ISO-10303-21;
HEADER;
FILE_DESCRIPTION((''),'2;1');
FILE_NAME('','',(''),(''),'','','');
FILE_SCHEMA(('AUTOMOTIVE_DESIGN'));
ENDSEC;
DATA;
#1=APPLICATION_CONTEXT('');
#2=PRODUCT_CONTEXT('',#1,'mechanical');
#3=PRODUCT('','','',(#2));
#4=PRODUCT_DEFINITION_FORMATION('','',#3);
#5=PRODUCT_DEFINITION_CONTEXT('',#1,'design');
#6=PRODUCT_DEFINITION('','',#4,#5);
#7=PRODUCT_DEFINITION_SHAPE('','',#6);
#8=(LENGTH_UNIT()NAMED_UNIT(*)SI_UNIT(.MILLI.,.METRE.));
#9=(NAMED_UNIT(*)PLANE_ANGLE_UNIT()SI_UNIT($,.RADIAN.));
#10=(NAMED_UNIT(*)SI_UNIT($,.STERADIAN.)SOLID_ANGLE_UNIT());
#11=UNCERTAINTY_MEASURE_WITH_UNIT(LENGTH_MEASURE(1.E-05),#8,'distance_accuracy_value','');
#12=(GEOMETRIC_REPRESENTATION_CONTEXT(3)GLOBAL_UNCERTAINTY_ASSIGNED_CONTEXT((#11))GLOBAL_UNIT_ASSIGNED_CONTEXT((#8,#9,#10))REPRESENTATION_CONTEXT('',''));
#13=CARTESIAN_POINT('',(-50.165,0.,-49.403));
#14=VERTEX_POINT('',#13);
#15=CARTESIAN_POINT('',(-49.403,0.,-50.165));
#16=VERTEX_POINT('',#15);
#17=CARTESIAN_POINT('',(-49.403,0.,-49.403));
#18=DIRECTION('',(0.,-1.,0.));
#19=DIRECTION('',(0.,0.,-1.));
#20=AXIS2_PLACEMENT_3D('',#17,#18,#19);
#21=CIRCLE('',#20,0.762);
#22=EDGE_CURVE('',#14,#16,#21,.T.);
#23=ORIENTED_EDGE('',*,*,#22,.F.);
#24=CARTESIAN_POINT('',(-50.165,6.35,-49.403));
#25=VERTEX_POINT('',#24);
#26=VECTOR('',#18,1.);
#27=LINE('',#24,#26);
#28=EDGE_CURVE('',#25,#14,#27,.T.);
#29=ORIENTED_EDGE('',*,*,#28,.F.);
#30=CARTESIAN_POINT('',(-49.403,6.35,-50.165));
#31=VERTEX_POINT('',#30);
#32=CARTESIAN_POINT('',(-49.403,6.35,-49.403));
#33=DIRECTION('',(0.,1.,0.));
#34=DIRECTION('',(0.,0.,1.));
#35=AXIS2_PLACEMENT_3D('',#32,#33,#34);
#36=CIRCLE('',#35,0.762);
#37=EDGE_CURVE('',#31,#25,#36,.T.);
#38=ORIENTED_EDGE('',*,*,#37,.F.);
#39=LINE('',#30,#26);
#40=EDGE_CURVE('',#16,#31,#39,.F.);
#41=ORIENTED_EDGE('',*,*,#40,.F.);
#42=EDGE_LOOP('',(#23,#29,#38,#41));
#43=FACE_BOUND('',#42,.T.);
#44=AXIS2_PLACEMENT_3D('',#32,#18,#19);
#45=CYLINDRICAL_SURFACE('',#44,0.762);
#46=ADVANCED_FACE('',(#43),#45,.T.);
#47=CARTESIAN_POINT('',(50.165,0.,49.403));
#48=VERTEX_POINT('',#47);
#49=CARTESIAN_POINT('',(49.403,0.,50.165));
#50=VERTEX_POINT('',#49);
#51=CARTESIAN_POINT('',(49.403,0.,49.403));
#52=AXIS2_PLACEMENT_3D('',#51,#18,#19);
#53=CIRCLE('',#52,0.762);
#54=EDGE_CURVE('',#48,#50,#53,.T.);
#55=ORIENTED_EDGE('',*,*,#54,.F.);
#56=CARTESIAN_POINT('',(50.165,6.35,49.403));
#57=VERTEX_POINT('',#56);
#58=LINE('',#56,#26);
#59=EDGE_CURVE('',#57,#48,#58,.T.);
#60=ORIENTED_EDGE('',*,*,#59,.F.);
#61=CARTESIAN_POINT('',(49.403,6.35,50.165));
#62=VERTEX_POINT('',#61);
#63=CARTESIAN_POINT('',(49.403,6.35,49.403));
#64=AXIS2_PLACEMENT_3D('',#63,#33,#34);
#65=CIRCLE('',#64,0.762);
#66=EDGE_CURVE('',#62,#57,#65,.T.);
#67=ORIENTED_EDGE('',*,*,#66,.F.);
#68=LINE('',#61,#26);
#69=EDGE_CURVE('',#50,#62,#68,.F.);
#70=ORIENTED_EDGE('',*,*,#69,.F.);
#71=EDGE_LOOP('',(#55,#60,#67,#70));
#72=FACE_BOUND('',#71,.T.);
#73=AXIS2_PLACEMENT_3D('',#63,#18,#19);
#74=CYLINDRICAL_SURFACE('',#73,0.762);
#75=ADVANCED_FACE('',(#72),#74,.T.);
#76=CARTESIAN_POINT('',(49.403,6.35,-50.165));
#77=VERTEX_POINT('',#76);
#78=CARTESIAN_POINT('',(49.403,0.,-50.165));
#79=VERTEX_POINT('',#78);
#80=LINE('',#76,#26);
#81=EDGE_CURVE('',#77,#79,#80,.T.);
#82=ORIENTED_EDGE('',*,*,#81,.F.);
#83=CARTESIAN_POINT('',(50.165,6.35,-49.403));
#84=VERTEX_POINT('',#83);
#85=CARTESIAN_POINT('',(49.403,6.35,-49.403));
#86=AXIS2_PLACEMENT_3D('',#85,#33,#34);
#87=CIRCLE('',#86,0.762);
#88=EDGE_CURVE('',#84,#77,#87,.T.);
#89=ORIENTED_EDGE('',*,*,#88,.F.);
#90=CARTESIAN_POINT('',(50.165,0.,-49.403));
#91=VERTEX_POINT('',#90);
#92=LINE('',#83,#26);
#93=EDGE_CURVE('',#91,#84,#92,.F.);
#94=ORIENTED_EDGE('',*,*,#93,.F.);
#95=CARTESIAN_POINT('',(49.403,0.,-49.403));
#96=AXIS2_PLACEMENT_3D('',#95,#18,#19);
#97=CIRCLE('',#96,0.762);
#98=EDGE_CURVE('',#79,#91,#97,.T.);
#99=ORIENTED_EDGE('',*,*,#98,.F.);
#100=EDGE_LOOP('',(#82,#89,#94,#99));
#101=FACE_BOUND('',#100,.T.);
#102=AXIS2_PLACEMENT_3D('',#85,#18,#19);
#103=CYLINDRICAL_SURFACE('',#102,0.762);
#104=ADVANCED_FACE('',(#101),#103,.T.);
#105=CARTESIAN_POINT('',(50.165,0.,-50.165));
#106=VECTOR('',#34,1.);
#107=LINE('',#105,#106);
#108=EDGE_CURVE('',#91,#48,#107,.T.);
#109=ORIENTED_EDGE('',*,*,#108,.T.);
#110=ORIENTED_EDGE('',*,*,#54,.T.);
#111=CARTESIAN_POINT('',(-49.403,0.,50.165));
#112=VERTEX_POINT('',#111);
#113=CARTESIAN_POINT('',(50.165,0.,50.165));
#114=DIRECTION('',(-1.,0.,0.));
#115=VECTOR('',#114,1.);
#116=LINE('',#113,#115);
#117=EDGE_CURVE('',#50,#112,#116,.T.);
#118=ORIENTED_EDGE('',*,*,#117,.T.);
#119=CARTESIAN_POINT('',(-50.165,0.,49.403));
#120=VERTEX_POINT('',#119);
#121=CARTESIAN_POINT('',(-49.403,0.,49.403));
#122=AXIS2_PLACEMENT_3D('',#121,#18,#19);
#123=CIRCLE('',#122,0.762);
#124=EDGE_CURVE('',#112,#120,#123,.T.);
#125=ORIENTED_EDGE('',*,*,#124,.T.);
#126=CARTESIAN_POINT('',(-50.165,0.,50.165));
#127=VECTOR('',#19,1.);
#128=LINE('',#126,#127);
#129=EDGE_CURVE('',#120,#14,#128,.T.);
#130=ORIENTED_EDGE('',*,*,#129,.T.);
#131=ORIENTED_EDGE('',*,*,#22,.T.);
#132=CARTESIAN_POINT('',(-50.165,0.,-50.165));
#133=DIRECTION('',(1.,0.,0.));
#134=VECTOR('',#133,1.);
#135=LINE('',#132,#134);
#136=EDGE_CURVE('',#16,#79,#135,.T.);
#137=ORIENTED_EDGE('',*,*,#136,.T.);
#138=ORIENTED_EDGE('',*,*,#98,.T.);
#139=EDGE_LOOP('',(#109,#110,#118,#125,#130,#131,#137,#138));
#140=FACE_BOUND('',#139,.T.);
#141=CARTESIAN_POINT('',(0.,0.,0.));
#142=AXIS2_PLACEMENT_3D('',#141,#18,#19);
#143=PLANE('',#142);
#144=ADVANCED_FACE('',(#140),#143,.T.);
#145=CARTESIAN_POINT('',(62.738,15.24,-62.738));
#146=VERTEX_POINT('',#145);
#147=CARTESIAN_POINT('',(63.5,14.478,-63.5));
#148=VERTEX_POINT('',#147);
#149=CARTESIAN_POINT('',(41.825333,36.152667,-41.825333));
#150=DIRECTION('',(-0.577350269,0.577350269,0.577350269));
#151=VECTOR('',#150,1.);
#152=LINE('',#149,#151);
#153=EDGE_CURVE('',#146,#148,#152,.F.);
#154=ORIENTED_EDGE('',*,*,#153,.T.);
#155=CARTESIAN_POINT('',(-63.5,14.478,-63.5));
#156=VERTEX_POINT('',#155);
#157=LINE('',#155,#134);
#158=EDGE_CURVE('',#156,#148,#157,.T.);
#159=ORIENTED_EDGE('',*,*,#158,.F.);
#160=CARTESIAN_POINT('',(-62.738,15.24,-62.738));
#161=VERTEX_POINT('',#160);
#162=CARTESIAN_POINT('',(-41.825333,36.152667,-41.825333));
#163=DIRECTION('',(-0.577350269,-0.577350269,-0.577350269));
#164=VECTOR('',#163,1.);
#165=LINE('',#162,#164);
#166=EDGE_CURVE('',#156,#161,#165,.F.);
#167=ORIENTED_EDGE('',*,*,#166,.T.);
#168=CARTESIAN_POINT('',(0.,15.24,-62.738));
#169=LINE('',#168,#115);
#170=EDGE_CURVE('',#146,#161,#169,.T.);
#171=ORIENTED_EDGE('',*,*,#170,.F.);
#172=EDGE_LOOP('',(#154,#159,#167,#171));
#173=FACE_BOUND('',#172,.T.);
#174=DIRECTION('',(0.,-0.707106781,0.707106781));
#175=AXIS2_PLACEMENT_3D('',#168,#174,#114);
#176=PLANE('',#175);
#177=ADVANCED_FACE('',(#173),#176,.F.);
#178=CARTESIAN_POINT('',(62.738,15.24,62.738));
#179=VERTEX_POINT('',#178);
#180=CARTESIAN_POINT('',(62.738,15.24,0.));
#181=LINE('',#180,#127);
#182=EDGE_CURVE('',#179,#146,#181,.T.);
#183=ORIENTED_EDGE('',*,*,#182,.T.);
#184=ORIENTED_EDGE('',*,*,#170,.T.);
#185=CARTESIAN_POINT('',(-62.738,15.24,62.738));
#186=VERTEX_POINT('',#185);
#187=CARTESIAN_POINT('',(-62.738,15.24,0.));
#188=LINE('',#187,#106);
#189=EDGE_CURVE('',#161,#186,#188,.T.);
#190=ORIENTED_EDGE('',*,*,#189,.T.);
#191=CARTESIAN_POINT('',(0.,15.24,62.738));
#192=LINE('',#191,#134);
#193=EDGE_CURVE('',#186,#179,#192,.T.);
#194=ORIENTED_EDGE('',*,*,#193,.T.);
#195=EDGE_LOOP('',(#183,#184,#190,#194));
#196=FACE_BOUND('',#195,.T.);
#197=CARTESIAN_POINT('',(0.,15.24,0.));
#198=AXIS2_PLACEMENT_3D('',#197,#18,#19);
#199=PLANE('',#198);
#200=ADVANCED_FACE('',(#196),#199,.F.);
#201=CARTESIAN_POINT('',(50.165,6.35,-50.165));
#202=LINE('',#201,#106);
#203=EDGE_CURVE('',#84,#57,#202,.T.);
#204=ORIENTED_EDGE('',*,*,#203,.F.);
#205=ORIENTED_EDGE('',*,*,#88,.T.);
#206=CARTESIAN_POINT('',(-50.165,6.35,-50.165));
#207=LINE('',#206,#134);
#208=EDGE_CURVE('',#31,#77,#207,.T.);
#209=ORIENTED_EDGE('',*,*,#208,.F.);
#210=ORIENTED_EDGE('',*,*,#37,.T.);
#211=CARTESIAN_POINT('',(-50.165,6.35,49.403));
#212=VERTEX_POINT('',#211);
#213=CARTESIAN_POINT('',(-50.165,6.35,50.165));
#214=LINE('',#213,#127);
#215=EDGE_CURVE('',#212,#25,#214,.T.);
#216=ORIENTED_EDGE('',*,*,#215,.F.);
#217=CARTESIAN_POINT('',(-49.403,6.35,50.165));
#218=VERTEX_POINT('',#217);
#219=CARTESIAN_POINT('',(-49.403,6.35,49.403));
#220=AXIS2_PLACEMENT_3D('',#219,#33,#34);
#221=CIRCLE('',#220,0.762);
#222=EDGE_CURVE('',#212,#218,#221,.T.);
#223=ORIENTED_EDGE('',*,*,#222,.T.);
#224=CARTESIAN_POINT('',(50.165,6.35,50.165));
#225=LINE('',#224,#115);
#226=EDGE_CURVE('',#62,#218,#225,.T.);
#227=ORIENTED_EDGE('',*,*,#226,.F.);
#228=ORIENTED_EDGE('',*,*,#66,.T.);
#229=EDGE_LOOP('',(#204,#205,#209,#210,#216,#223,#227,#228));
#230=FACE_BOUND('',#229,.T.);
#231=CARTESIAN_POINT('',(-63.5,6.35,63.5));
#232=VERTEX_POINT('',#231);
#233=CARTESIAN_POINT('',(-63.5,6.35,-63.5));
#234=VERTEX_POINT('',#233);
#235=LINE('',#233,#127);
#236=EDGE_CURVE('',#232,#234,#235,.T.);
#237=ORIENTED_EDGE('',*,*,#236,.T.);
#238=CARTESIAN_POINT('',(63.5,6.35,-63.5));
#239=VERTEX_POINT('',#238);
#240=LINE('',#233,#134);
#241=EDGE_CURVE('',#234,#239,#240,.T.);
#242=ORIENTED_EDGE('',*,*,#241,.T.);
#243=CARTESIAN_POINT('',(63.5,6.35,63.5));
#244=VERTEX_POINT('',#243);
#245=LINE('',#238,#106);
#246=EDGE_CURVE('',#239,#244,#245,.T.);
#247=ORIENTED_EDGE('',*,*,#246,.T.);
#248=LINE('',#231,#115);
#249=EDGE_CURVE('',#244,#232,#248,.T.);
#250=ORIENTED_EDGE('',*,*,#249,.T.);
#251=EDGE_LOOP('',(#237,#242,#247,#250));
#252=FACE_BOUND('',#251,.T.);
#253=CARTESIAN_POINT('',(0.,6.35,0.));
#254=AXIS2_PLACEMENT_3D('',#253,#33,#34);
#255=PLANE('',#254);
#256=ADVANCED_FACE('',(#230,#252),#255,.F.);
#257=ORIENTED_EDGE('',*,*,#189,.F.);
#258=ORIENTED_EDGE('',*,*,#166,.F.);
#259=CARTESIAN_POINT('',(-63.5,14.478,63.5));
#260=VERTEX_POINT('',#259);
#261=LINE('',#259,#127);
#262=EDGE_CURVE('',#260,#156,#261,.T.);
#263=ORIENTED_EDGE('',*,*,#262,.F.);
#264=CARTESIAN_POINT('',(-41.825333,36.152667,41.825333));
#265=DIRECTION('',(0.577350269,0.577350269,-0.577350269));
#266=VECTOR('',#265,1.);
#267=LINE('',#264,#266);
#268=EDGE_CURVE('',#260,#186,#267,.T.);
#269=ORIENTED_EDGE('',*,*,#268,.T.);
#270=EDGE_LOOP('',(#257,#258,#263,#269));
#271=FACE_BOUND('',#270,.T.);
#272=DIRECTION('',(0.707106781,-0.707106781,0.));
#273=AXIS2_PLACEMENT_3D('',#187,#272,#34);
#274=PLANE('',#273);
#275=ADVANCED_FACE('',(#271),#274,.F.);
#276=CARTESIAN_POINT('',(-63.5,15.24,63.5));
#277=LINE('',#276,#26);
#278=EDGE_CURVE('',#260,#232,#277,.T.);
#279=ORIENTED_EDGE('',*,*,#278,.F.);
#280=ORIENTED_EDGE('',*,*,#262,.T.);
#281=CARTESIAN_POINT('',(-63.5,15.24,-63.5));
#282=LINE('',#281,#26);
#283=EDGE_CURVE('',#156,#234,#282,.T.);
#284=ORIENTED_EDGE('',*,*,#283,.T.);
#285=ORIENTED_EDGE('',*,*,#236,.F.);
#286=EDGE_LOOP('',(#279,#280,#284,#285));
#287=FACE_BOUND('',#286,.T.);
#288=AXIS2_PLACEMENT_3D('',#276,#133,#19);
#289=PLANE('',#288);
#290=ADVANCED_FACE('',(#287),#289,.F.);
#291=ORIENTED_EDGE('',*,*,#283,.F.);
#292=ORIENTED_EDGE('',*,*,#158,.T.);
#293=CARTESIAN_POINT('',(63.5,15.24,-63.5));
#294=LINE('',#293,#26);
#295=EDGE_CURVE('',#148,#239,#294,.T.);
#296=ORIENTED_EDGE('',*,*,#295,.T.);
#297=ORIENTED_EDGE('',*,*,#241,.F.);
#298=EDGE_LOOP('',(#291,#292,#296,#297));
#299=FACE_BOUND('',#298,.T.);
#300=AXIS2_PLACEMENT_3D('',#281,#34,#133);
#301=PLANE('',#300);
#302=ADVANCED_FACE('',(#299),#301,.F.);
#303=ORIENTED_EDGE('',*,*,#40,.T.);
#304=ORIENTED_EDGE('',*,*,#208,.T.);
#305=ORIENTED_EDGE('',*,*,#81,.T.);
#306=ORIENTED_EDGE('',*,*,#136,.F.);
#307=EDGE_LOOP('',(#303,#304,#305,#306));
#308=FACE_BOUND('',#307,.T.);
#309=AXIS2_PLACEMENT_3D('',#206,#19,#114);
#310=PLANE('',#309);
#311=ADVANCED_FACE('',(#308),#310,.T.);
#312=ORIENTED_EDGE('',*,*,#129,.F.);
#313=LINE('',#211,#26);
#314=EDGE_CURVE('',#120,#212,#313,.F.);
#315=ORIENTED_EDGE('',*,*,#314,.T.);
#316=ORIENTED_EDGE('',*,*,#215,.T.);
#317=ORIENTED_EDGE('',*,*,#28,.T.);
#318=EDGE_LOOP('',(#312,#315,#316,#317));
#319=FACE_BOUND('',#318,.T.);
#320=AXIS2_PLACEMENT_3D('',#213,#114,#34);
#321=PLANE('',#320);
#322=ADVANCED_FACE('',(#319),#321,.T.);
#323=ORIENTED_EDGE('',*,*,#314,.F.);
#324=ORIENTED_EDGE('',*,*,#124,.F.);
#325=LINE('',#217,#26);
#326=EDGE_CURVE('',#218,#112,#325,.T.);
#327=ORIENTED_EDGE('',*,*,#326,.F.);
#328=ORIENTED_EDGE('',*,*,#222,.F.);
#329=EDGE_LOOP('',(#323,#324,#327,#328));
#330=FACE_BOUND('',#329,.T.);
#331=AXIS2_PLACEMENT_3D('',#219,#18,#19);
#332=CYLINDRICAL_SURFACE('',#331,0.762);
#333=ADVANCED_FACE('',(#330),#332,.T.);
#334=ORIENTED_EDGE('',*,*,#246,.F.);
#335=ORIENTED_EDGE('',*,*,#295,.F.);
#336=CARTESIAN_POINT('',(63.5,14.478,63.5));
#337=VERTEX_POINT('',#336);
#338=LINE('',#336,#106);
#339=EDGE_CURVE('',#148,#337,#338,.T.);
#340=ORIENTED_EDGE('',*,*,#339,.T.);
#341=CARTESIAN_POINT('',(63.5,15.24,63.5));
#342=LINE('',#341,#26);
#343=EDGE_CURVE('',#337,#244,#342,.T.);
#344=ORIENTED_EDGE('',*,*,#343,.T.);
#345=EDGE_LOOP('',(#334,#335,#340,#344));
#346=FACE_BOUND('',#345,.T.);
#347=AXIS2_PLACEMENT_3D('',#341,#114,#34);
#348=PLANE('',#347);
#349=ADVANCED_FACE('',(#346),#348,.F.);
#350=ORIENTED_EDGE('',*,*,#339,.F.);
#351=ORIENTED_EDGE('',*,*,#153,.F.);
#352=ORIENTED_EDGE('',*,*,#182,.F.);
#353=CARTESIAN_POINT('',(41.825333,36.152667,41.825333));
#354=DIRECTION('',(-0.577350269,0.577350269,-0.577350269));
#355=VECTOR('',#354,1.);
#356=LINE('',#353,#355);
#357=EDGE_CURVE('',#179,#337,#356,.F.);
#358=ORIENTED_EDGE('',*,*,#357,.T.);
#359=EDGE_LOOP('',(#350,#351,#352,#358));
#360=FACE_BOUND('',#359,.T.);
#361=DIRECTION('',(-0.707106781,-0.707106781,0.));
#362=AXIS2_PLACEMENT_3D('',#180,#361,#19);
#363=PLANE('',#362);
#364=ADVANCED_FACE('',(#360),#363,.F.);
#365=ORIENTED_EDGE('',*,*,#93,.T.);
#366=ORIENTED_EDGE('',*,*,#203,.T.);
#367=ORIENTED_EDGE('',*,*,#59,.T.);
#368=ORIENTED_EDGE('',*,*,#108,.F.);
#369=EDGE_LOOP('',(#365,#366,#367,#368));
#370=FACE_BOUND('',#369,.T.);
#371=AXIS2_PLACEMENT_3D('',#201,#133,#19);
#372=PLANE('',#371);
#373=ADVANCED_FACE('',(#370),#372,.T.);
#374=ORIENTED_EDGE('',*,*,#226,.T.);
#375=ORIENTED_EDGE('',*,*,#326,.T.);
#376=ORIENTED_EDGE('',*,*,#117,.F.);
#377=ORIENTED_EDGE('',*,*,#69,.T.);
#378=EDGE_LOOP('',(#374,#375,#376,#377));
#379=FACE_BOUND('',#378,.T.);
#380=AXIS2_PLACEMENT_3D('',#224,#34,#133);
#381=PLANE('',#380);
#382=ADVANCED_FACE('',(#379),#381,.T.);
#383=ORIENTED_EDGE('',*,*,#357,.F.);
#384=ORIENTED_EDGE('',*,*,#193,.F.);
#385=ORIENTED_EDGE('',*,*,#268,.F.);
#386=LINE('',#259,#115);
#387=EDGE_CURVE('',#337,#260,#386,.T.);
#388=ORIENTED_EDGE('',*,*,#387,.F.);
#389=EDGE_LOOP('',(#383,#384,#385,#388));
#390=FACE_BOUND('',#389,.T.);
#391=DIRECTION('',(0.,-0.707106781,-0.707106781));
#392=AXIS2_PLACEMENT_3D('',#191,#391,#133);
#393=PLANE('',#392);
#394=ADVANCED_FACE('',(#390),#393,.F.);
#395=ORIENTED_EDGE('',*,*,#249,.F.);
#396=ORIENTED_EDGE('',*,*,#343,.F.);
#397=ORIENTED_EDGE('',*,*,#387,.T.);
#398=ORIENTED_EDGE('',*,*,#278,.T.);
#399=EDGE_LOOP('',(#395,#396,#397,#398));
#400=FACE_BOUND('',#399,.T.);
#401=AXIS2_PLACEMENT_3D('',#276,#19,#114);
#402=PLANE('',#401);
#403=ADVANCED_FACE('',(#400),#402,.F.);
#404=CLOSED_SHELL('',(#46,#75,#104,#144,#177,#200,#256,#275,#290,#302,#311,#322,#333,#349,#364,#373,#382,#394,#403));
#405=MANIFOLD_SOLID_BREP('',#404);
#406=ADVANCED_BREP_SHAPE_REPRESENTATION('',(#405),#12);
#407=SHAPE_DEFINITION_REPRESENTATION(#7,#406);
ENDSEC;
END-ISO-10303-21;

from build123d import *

# Parameters (mm, degrees)
SKETCH1_W           = 127
SKETCH1_H           = 127
BOSS_EXTRUDE1_DEPTH = 15.24
SKETCH2_W           = 127
SKETCH2_H           = 127
SKETCH2_W_2         = 100.33
SKETCH2_H_2         = 100.33
CUT_EXTRUDE1_DEPTH  = 6.35
FILLET1_R           = 0.762
CHAMFER1_SIZE       = 0.762


with BuildPart() as part:
    # Sketch1 → Boss-Extrude1 (new body)
    with BuildSketch(Plane(origin=(0, 0, 0), x_dir=(1, 0, 0), z_dir=(0, 1, 0))):
        Rectangle(SKETCH1_W, SKETCH1_H)
    extrude(amount=BOSS_EXTRUDE1_DEPTH)

    # Sketch2 → Cut-Extrude1 (cut)
    with BuildSketch(Plane.XZ):
        Rectangle(SKETCH2_W, SKETCH2_H)
        Rectangle(SKETCH2_W_2, SKETCH2_H_2, mode=Mode.SUBTRACT)
    extrude(amount=-CUT_EXTRUDE1_DEPTH, mode=Mode.SUBTRACT)

    # Fillet1
    fillet1_edges = [part.edges().sort_by_distance(p)[0] for p in [
        (-50.165, 3.175, -50.165),
        (-50.165, 3.175, 50.165),
        (50.165, 3.175, 50.165),
        (50.165, 3.175, -50.165),
    ]]
    fillet(fillet1_edges, radius=FILLET1_R)

    # Chamfer1
    chamfer1_edges = [part.edges().sort_by_distance(p)[0] for p in [
        (-63.5, 15.24, 0),
        (0, 15.24, 63.5),
        (63.5, 15.24, 0),
        (0, 15.24, -63.5),
    ]]
    chamfer(chamfer1_edges, length=CHAMFER1_SIZE)


solid = part.part
